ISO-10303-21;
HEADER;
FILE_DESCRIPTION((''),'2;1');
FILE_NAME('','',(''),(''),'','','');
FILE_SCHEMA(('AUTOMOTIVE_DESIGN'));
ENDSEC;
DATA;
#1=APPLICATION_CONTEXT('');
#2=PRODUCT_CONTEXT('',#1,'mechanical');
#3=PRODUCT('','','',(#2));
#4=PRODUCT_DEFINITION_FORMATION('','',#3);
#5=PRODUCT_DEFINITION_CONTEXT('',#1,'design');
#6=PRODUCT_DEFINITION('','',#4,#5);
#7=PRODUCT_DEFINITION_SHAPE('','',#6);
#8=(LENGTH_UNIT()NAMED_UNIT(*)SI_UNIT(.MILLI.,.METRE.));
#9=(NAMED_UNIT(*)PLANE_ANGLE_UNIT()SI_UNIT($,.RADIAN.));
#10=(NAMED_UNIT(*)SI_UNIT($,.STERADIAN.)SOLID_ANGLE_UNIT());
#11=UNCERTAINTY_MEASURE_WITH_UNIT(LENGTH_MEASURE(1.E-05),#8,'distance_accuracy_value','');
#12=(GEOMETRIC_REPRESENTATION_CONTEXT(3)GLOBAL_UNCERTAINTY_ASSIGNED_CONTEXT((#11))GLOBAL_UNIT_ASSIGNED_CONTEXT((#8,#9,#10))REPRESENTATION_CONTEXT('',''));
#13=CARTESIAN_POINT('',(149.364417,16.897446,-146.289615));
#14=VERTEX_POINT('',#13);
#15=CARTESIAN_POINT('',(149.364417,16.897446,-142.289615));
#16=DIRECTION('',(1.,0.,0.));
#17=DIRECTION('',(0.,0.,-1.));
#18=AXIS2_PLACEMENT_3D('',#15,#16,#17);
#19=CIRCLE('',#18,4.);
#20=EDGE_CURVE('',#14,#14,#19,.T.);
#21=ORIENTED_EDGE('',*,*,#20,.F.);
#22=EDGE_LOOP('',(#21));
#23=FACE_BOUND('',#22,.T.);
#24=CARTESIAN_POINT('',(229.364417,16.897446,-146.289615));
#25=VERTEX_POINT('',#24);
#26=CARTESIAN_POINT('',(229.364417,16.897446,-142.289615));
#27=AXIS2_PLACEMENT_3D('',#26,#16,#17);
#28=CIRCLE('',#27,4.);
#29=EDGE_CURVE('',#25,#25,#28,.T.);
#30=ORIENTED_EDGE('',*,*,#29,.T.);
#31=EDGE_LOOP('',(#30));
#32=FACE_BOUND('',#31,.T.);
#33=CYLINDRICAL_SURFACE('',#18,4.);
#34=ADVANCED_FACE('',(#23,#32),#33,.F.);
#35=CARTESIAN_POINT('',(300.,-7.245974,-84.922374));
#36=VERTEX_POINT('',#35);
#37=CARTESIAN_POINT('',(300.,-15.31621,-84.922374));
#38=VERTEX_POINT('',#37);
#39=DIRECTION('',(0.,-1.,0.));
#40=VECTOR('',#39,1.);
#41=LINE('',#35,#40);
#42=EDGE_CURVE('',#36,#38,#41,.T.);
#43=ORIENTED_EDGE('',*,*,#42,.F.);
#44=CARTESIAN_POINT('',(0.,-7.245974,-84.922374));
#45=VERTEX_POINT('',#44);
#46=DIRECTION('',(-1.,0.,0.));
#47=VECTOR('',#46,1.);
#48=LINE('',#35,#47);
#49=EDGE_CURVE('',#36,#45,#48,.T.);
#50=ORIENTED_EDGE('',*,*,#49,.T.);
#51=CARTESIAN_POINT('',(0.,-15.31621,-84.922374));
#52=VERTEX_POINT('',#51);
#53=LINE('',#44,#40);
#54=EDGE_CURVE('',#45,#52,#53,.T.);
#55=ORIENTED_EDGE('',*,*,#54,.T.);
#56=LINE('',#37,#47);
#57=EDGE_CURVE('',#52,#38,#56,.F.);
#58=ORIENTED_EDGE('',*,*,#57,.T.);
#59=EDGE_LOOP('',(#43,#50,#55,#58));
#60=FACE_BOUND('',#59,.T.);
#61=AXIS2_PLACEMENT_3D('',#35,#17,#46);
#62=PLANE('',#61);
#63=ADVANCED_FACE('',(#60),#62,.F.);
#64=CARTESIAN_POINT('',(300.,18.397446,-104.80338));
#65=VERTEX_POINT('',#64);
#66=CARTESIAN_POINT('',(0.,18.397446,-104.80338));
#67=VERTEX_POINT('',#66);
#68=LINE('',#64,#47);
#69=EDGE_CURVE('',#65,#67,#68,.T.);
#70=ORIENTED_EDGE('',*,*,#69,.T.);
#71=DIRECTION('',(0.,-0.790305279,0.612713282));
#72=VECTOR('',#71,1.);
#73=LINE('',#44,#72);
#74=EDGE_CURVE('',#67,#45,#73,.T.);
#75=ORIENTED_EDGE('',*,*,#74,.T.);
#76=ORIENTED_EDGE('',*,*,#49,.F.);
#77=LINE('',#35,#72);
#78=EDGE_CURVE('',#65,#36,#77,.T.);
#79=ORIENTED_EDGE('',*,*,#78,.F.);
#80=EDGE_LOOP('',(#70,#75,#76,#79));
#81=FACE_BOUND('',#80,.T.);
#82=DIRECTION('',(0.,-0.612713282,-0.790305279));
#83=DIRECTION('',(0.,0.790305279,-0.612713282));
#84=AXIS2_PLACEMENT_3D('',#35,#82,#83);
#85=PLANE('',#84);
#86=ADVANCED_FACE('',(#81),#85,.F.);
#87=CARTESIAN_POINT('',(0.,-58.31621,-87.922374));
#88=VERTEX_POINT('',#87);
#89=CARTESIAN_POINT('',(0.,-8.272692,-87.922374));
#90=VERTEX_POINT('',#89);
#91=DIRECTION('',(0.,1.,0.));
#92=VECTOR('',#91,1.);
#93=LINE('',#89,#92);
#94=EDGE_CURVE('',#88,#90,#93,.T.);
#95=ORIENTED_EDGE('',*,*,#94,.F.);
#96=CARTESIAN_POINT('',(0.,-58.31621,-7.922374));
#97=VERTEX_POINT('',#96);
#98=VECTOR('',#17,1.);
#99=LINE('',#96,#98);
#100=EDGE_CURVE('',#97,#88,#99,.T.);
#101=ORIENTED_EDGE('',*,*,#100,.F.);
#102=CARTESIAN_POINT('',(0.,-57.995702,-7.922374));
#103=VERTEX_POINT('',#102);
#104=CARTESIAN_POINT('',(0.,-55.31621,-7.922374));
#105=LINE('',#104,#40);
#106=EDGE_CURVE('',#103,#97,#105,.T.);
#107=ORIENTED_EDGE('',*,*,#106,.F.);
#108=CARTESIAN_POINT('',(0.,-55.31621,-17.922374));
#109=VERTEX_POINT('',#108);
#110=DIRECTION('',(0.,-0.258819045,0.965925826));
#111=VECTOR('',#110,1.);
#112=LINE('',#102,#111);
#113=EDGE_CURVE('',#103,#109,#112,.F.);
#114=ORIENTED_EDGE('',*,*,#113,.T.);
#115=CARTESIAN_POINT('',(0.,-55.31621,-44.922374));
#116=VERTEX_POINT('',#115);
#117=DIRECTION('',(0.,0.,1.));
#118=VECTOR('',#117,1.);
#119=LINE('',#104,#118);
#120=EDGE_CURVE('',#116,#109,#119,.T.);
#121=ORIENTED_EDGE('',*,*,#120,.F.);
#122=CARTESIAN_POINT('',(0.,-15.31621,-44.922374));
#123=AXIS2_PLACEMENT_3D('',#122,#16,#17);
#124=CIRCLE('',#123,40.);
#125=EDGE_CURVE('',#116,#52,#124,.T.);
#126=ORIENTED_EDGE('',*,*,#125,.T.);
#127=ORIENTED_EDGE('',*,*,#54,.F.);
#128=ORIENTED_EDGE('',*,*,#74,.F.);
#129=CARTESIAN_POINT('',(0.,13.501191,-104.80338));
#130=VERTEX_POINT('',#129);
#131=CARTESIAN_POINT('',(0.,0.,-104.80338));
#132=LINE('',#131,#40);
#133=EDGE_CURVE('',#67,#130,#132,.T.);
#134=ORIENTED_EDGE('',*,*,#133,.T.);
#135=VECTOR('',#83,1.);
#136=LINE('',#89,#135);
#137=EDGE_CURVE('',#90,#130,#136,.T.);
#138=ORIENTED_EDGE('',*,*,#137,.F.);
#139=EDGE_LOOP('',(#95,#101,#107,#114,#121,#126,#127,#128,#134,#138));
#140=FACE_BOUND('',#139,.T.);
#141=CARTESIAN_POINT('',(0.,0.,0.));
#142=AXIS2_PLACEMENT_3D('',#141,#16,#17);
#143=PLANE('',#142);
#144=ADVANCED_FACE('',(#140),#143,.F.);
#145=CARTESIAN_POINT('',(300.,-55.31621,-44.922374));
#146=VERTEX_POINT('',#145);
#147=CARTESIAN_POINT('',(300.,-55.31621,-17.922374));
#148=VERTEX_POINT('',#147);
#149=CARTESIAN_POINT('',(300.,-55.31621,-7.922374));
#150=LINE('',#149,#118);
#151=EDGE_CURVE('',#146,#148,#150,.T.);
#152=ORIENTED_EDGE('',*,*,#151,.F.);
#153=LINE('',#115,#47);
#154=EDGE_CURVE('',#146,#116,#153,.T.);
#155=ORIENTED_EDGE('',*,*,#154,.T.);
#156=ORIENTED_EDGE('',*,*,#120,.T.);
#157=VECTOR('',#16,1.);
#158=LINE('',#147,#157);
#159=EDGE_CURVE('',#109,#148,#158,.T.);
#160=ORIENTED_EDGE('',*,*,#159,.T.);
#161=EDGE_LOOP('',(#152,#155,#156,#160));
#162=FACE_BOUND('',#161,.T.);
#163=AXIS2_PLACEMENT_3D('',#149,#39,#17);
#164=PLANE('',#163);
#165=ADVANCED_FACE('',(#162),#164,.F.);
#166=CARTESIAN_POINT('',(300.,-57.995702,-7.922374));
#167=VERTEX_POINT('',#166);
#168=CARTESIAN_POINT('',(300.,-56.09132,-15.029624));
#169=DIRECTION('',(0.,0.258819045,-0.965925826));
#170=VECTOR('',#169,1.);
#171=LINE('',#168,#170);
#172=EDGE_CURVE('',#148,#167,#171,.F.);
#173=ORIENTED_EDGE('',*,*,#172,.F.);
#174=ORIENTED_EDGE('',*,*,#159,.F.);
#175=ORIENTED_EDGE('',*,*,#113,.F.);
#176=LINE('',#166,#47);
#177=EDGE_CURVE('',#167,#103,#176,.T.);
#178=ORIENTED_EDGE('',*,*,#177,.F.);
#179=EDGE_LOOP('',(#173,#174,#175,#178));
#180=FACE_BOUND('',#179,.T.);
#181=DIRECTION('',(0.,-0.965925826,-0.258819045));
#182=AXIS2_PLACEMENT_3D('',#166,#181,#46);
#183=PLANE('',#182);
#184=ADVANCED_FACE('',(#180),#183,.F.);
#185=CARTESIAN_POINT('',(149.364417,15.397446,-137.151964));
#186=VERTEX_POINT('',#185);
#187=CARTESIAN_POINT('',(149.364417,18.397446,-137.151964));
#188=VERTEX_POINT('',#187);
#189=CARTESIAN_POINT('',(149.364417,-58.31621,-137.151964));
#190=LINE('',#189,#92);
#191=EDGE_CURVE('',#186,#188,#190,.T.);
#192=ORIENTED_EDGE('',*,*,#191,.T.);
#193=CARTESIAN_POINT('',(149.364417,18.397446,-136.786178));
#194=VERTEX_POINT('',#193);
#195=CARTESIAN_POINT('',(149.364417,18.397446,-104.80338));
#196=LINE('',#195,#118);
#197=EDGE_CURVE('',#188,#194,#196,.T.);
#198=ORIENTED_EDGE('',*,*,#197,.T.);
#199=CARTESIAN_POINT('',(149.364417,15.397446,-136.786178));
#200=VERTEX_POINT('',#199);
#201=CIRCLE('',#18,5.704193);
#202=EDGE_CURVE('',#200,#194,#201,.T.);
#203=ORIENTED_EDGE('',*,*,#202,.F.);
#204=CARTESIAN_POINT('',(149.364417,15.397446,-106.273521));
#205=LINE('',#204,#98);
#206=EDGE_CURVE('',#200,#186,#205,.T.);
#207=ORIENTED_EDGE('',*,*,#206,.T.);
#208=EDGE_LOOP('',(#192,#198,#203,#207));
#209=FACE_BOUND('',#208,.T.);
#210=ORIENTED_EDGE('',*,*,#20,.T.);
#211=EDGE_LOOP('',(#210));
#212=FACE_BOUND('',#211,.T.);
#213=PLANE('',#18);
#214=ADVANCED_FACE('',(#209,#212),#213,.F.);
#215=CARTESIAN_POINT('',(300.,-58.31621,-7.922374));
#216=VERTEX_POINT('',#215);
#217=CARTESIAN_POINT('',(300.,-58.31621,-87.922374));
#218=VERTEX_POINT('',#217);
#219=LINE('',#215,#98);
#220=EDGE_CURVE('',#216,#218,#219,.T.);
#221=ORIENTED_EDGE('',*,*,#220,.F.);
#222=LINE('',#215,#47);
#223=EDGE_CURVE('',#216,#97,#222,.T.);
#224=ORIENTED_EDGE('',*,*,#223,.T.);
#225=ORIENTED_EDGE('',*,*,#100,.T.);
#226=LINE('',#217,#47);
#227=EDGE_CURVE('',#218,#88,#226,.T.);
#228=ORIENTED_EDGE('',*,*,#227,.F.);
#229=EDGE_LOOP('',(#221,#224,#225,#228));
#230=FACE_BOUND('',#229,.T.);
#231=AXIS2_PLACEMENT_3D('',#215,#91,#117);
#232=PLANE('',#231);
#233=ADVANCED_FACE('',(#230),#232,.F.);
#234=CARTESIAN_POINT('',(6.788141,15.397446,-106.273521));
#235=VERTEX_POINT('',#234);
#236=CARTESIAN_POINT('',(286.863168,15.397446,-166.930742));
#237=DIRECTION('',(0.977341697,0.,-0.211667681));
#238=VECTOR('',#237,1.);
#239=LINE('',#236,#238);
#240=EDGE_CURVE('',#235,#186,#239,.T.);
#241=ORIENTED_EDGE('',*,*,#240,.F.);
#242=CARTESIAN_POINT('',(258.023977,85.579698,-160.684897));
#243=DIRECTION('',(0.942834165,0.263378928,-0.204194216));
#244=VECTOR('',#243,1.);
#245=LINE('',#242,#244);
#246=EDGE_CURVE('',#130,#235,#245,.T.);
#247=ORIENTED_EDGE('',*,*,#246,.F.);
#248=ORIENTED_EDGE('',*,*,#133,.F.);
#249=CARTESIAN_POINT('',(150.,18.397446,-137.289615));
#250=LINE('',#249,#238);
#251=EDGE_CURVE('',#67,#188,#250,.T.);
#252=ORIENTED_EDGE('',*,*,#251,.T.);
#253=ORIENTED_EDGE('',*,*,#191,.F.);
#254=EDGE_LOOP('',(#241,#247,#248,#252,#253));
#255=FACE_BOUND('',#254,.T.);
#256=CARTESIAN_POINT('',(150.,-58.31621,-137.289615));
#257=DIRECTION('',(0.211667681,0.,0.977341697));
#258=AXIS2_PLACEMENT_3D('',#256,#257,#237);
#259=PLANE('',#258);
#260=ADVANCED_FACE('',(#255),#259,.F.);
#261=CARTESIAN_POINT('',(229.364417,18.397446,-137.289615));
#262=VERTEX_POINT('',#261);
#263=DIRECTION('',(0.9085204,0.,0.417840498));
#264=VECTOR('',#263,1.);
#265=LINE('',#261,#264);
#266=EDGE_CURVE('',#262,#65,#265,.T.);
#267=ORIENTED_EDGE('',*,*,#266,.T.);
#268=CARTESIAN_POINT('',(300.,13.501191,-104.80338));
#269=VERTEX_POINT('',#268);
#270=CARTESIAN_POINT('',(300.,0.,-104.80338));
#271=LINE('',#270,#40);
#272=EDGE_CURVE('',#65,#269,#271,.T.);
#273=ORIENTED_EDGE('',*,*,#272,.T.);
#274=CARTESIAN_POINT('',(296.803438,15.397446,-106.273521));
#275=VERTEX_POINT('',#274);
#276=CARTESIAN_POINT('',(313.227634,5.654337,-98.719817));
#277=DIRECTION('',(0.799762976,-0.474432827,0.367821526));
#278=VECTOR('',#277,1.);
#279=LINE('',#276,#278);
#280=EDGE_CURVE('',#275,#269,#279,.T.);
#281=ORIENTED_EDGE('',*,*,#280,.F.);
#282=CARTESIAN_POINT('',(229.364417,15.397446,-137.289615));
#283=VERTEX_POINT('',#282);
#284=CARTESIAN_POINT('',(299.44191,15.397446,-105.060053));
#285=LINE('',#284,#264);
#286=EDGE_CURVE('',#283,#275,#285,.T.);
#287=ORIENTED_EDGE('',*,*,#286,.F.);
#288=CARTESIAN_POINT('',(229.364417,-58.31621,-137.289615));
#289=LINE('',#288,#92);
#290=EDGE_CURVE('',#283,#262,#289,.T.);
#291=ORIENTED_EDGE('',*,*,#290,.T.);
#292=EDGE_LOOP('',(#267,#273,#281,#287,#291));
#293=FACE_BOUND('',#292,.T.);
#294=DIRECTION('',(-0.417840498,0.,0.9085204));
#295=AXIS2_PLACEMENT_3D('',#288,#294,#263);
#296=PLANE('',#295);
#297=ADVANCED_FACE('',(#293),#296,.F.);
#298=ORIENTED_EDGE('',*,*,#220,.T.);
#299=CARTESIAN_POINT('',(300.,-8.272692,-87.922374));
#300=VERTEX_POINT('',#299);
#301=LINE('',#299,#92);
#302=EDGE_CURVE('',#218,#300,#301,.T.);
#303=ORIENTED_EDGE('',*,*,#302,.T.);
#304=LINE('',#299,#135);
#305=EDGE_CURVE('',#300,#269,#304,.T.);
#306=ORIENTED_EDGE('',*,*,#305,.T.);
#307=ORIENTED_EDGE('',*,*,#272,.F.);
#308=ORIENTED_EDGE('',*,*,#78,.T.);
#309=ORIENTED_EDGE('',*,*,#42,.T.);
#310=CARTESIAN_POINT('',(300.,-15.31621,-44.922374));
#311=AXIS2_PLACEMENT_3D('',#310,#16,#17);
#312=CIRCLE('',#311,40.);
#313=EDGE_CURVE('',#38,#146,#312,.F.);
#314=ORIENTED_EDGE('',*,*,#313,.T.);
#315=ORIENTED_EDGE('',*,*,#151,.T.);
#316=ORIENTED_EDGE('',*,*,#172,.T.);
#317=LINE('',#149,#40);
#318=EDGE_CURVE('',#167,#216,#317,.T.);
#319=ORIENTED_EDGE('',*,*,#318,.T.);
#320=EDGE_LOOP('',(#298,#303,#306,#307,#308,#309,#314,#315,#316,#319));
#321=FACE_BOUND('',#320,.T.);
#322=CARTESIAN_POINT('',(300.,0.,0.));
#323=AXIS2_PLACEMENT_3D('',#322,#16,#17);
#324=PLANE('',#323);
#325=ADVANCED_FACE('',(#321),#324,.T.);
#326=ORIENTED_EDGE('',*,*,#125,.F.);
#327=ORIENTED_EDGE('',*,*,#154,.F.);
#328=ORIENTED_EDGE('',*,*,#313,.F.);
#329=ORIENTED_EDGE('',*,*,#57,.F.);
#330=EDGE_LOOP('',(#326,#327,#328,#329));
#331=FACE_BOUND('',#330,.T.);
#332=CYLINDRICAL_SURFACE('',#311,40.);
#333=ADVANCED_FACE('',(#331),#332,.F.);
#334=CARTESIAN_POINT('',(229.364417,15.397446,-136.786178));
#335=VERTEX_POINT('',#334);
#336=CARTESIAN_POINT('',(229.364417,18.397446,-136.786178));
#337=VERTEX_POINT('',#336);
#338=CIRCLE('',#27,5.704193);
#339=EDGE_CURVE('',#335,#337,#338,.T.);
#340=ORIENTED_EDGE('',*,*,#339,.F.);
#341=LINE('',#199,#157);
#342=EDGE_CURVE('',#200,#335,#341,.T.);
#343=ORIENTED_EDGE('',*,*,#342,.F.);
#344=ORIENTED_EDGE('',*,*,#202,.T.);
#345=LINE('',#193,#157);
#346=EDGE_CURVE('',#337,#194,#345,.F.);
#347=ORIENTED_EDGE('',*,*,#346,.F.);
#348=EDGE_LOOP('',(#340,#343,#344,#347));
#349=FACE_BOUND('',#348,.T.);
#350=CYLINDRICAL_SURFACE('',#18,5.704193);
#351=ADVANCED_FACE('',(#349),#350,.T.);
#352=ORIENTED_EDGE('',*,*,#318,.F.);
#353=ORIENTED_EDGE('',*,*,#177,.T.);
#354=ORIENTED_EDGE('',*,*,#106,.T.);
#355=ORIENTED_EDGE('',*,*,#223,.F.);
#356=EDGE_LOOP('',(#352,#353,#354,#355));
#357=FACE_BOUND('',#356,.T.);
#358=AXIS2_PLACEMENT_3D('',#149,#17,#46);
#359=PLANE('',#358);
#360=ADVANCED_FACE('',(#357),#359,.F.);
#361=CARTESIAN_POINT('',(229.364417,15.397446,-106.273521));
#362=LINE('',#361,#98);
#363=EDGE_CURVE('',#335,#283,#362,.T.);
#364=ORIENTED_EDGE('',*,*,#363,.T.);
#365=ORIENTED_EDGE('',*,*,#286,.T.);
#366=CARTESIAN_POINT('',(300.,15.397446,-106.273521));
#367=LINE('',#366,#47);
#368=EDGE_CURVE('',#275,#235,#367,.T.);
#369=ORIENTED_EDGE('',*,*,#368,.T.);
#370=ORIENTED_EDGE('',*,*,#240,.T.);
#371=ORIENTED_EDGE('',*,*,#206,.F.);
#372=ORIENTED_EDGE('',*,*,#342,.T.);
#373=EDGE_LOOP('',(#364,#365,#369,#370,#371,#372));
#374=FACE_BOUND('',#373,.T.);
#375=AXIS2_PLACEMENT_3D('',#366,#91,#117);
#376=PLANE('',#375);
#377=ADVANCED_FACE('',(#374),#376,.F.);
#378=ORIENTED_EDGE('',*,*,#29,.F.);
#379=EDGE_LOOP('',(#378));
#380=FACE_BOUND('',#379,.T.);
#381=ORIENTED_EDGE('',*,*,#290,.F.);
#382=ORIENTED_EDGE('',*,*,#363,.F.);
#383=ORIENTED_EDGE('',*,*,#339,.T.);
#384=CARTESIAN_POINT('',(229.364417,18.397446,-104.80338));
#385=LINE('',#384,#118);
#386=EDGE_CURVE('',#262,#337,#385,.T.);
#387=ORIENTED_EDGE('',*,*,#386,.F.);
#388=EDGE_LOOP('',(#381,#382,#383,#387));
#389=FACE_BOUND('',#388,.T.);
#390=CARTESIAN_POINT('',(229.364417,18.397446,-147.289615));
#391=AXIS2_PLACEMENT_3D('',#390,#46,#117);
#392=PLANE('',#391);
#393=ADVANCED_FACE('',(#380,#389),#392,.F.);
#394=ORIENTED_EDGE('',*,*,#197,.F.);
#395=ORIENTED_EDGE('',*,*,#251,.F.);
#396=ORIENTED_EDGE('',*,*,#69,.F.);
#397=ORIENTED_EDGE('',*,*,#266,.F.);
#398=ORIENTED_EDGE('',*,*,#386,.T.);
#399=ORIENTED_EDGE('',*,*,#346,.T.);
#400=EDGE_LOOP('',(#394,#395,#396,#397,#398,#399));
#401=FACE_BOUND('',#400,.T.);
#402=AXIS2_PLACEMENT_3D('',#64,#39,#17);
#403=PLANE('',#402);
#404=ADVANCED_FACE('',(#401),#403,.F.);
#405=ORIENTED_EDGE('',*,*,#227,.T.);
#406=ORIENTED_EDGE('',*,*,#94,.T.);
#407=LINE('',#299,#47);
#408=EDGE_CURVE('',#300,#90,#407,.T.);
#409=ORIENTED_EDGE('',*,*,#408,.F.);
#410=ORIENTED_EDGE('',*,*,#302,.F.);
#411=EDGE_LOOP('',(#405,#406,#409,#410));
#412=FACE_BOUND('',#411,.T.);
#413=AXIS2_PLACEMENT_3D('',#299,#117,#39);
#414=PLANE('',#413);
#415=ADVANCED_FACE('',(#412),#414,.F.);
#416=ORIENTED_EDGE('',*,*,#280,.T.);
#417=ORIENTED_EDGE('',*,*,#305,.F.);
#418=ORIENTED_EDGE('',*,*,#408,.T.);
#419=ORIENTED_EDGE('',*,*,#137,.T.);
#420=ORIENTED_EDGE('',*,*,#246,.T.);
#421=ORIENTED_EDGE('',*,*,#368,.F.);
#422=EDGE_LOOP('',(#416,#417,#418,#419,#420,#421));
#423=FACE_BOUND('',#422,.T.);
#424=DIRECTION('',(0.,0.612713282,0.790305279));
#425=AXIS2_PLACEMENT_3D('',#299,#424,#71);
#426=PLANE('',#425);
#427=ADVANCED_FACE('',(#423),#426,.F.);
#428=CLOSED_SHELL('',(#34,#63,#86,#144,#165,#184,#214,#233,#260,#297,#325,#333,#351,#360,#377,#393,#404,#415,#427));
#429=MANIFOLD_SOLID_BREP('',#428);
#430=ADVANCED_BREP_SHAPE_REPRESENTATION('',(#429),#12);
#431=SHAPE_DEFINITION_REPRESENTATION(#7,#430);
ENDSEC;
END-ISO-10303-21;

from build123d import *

# Parameters (mm, degrees)
BOSS_EXTRUDE1_DEPTH     = 300
FILLET1_R               = 40
CHAMFER1_SIZE           = 10
CHAMFER1_SIZE2          = 2.679491924
CUT_EXTRUDE1_DEPTH      = 336.036145422
CUT_EXTRUDE1_DEPTH_BACK = 336.036145422
SKETCH4_W               = 79.364416539
SKETCH4_H               = 3
BOSS_EXTRUDE2_DEPTH     = 10
SKETCH5_R               = 5.704192845
SKETCH5_R_2             = 4
BOSS_EXTRUDE3_DEPTH     = 80
SKETCH7_R               = 4
CUT_EXTRUDE2_DEPTH      = 80


with BuildPart() as part:
    # Sketch1 → Boss-Extrude1 (new body)
    with BuildSketch(Plane(origin=(0, 0, 0), x_dir=(0, 0, -1), z_dir=(1, 0, 0))):
        Polygon((84.922374429, -7.245973585), (84.922374429, -55.316210046), (7.922374429, -55.316210046), (7.922374429, -58.316210046), (87.922374429, -58.316210046), (87.922374429, -8.272692249), (106.273520759, 15.397445577), (137.289614993, 15.397445577), (137.289614993, 18.397445577), (104.803379808, 18.397445577), align=None)
    extrude(amount=BOSS_EXTRUDE1_DEPTH)

    # Fillet1
    fillet1_edges = [part.edges().sort_by_distance(p)[0] for p in [
        (150, -55.316210046, -84.922374429),
    ]]
    fillet(fillet1_edges, radius=FILLET1_R)

    # Chamfer1
    chamfer1_edges = [part.edges().sort_by_distance(p)[0] for p in [
        (150, -55.316210046, -7.922374429),
    ]]
    chamfer1_side = [part.faces().sort_by_distance(p)[0] for p in [
        (150, -55.316210046, -26.422374429),
    ]]
    chamfer(chamfer1_edges, length=CHAMFER1_SIZE, length2=CHAMFER1_SIZE2, reference=chamfer1_side[0])

    # Sketch2 → Cut-Extrude1 (cut, two sides: drawn at the far end of the back side and taken through both)
    with BuildSketch(Plane(origin=(0, 0, 0), x_dir=(1, 0, 0), z_dir=(0, 1, 0)).offset(-CUT_EXTRUDE1_DEPTH_BACK)):
        Polygon((229.364416539, 137.289614993), (300, 104.803379808), (319.87920565, 121.046497401), (319.87920565, 155.206469458), (246.417927531, 173.123323923), align=None)
        Polygon((150, 137.289614993), (0, 104.803379808), (-27.422104743, 146.559201032), (121.140212168, 173.123323923), align=None)
    extrude(amount=CUT_EXTRUDE1_DEPTH + CUT_EXTRUDE1_DEPTH_BACK, mode=Mode.SUBTRACT)

    # Sketch4 → Boss-Extrude2 (add)
    with BuildSketch(Plane(origin=(0, 0, -137.289614993), x_dir=(-1, 0, 0), z_dir=(0, 0, -1))):
        with Locations((-189.682208269, 16.897445577)):
            Rectangle(SKETCH4_W, SKETCH4_H)
    extrude(amount=BOSS_EXTRUDE2_DEPTH)

    # Sketch5 → Boss-Extrude3 (add)
    with BuildSketch(Plane(origin=(229.364416539, 0, 0), x_dir=(0, 0, -1), z_dir=(1, 0, 0))):
        with Locations((142.289614993, 16.897445577)):
            Circle(SKETCH5_R)
        with Locations((142.289614993, 16.897445577)):
            Circle(SKETCH5_R_2, mode=Mode.SUBTRACT)
    extrude(amount=-BOSS_EXTRUDE3_DEPTH)

    # Sketch7 → Cut-Extrude2 (cut)
    with BuildSketch(Plane(origin=(229.364416539, 0, 0), x_dir=(0, 0, -1), z_dir=(1, 0, 0))):
        with Locations((142.289614993, 16.897445577)):
            Circle(SKETCH7_R)
    extrude(amount=-CUT_EXTRUDE2_DEPTH, mode=Mode.SUBTRACT)


solid = part.part
